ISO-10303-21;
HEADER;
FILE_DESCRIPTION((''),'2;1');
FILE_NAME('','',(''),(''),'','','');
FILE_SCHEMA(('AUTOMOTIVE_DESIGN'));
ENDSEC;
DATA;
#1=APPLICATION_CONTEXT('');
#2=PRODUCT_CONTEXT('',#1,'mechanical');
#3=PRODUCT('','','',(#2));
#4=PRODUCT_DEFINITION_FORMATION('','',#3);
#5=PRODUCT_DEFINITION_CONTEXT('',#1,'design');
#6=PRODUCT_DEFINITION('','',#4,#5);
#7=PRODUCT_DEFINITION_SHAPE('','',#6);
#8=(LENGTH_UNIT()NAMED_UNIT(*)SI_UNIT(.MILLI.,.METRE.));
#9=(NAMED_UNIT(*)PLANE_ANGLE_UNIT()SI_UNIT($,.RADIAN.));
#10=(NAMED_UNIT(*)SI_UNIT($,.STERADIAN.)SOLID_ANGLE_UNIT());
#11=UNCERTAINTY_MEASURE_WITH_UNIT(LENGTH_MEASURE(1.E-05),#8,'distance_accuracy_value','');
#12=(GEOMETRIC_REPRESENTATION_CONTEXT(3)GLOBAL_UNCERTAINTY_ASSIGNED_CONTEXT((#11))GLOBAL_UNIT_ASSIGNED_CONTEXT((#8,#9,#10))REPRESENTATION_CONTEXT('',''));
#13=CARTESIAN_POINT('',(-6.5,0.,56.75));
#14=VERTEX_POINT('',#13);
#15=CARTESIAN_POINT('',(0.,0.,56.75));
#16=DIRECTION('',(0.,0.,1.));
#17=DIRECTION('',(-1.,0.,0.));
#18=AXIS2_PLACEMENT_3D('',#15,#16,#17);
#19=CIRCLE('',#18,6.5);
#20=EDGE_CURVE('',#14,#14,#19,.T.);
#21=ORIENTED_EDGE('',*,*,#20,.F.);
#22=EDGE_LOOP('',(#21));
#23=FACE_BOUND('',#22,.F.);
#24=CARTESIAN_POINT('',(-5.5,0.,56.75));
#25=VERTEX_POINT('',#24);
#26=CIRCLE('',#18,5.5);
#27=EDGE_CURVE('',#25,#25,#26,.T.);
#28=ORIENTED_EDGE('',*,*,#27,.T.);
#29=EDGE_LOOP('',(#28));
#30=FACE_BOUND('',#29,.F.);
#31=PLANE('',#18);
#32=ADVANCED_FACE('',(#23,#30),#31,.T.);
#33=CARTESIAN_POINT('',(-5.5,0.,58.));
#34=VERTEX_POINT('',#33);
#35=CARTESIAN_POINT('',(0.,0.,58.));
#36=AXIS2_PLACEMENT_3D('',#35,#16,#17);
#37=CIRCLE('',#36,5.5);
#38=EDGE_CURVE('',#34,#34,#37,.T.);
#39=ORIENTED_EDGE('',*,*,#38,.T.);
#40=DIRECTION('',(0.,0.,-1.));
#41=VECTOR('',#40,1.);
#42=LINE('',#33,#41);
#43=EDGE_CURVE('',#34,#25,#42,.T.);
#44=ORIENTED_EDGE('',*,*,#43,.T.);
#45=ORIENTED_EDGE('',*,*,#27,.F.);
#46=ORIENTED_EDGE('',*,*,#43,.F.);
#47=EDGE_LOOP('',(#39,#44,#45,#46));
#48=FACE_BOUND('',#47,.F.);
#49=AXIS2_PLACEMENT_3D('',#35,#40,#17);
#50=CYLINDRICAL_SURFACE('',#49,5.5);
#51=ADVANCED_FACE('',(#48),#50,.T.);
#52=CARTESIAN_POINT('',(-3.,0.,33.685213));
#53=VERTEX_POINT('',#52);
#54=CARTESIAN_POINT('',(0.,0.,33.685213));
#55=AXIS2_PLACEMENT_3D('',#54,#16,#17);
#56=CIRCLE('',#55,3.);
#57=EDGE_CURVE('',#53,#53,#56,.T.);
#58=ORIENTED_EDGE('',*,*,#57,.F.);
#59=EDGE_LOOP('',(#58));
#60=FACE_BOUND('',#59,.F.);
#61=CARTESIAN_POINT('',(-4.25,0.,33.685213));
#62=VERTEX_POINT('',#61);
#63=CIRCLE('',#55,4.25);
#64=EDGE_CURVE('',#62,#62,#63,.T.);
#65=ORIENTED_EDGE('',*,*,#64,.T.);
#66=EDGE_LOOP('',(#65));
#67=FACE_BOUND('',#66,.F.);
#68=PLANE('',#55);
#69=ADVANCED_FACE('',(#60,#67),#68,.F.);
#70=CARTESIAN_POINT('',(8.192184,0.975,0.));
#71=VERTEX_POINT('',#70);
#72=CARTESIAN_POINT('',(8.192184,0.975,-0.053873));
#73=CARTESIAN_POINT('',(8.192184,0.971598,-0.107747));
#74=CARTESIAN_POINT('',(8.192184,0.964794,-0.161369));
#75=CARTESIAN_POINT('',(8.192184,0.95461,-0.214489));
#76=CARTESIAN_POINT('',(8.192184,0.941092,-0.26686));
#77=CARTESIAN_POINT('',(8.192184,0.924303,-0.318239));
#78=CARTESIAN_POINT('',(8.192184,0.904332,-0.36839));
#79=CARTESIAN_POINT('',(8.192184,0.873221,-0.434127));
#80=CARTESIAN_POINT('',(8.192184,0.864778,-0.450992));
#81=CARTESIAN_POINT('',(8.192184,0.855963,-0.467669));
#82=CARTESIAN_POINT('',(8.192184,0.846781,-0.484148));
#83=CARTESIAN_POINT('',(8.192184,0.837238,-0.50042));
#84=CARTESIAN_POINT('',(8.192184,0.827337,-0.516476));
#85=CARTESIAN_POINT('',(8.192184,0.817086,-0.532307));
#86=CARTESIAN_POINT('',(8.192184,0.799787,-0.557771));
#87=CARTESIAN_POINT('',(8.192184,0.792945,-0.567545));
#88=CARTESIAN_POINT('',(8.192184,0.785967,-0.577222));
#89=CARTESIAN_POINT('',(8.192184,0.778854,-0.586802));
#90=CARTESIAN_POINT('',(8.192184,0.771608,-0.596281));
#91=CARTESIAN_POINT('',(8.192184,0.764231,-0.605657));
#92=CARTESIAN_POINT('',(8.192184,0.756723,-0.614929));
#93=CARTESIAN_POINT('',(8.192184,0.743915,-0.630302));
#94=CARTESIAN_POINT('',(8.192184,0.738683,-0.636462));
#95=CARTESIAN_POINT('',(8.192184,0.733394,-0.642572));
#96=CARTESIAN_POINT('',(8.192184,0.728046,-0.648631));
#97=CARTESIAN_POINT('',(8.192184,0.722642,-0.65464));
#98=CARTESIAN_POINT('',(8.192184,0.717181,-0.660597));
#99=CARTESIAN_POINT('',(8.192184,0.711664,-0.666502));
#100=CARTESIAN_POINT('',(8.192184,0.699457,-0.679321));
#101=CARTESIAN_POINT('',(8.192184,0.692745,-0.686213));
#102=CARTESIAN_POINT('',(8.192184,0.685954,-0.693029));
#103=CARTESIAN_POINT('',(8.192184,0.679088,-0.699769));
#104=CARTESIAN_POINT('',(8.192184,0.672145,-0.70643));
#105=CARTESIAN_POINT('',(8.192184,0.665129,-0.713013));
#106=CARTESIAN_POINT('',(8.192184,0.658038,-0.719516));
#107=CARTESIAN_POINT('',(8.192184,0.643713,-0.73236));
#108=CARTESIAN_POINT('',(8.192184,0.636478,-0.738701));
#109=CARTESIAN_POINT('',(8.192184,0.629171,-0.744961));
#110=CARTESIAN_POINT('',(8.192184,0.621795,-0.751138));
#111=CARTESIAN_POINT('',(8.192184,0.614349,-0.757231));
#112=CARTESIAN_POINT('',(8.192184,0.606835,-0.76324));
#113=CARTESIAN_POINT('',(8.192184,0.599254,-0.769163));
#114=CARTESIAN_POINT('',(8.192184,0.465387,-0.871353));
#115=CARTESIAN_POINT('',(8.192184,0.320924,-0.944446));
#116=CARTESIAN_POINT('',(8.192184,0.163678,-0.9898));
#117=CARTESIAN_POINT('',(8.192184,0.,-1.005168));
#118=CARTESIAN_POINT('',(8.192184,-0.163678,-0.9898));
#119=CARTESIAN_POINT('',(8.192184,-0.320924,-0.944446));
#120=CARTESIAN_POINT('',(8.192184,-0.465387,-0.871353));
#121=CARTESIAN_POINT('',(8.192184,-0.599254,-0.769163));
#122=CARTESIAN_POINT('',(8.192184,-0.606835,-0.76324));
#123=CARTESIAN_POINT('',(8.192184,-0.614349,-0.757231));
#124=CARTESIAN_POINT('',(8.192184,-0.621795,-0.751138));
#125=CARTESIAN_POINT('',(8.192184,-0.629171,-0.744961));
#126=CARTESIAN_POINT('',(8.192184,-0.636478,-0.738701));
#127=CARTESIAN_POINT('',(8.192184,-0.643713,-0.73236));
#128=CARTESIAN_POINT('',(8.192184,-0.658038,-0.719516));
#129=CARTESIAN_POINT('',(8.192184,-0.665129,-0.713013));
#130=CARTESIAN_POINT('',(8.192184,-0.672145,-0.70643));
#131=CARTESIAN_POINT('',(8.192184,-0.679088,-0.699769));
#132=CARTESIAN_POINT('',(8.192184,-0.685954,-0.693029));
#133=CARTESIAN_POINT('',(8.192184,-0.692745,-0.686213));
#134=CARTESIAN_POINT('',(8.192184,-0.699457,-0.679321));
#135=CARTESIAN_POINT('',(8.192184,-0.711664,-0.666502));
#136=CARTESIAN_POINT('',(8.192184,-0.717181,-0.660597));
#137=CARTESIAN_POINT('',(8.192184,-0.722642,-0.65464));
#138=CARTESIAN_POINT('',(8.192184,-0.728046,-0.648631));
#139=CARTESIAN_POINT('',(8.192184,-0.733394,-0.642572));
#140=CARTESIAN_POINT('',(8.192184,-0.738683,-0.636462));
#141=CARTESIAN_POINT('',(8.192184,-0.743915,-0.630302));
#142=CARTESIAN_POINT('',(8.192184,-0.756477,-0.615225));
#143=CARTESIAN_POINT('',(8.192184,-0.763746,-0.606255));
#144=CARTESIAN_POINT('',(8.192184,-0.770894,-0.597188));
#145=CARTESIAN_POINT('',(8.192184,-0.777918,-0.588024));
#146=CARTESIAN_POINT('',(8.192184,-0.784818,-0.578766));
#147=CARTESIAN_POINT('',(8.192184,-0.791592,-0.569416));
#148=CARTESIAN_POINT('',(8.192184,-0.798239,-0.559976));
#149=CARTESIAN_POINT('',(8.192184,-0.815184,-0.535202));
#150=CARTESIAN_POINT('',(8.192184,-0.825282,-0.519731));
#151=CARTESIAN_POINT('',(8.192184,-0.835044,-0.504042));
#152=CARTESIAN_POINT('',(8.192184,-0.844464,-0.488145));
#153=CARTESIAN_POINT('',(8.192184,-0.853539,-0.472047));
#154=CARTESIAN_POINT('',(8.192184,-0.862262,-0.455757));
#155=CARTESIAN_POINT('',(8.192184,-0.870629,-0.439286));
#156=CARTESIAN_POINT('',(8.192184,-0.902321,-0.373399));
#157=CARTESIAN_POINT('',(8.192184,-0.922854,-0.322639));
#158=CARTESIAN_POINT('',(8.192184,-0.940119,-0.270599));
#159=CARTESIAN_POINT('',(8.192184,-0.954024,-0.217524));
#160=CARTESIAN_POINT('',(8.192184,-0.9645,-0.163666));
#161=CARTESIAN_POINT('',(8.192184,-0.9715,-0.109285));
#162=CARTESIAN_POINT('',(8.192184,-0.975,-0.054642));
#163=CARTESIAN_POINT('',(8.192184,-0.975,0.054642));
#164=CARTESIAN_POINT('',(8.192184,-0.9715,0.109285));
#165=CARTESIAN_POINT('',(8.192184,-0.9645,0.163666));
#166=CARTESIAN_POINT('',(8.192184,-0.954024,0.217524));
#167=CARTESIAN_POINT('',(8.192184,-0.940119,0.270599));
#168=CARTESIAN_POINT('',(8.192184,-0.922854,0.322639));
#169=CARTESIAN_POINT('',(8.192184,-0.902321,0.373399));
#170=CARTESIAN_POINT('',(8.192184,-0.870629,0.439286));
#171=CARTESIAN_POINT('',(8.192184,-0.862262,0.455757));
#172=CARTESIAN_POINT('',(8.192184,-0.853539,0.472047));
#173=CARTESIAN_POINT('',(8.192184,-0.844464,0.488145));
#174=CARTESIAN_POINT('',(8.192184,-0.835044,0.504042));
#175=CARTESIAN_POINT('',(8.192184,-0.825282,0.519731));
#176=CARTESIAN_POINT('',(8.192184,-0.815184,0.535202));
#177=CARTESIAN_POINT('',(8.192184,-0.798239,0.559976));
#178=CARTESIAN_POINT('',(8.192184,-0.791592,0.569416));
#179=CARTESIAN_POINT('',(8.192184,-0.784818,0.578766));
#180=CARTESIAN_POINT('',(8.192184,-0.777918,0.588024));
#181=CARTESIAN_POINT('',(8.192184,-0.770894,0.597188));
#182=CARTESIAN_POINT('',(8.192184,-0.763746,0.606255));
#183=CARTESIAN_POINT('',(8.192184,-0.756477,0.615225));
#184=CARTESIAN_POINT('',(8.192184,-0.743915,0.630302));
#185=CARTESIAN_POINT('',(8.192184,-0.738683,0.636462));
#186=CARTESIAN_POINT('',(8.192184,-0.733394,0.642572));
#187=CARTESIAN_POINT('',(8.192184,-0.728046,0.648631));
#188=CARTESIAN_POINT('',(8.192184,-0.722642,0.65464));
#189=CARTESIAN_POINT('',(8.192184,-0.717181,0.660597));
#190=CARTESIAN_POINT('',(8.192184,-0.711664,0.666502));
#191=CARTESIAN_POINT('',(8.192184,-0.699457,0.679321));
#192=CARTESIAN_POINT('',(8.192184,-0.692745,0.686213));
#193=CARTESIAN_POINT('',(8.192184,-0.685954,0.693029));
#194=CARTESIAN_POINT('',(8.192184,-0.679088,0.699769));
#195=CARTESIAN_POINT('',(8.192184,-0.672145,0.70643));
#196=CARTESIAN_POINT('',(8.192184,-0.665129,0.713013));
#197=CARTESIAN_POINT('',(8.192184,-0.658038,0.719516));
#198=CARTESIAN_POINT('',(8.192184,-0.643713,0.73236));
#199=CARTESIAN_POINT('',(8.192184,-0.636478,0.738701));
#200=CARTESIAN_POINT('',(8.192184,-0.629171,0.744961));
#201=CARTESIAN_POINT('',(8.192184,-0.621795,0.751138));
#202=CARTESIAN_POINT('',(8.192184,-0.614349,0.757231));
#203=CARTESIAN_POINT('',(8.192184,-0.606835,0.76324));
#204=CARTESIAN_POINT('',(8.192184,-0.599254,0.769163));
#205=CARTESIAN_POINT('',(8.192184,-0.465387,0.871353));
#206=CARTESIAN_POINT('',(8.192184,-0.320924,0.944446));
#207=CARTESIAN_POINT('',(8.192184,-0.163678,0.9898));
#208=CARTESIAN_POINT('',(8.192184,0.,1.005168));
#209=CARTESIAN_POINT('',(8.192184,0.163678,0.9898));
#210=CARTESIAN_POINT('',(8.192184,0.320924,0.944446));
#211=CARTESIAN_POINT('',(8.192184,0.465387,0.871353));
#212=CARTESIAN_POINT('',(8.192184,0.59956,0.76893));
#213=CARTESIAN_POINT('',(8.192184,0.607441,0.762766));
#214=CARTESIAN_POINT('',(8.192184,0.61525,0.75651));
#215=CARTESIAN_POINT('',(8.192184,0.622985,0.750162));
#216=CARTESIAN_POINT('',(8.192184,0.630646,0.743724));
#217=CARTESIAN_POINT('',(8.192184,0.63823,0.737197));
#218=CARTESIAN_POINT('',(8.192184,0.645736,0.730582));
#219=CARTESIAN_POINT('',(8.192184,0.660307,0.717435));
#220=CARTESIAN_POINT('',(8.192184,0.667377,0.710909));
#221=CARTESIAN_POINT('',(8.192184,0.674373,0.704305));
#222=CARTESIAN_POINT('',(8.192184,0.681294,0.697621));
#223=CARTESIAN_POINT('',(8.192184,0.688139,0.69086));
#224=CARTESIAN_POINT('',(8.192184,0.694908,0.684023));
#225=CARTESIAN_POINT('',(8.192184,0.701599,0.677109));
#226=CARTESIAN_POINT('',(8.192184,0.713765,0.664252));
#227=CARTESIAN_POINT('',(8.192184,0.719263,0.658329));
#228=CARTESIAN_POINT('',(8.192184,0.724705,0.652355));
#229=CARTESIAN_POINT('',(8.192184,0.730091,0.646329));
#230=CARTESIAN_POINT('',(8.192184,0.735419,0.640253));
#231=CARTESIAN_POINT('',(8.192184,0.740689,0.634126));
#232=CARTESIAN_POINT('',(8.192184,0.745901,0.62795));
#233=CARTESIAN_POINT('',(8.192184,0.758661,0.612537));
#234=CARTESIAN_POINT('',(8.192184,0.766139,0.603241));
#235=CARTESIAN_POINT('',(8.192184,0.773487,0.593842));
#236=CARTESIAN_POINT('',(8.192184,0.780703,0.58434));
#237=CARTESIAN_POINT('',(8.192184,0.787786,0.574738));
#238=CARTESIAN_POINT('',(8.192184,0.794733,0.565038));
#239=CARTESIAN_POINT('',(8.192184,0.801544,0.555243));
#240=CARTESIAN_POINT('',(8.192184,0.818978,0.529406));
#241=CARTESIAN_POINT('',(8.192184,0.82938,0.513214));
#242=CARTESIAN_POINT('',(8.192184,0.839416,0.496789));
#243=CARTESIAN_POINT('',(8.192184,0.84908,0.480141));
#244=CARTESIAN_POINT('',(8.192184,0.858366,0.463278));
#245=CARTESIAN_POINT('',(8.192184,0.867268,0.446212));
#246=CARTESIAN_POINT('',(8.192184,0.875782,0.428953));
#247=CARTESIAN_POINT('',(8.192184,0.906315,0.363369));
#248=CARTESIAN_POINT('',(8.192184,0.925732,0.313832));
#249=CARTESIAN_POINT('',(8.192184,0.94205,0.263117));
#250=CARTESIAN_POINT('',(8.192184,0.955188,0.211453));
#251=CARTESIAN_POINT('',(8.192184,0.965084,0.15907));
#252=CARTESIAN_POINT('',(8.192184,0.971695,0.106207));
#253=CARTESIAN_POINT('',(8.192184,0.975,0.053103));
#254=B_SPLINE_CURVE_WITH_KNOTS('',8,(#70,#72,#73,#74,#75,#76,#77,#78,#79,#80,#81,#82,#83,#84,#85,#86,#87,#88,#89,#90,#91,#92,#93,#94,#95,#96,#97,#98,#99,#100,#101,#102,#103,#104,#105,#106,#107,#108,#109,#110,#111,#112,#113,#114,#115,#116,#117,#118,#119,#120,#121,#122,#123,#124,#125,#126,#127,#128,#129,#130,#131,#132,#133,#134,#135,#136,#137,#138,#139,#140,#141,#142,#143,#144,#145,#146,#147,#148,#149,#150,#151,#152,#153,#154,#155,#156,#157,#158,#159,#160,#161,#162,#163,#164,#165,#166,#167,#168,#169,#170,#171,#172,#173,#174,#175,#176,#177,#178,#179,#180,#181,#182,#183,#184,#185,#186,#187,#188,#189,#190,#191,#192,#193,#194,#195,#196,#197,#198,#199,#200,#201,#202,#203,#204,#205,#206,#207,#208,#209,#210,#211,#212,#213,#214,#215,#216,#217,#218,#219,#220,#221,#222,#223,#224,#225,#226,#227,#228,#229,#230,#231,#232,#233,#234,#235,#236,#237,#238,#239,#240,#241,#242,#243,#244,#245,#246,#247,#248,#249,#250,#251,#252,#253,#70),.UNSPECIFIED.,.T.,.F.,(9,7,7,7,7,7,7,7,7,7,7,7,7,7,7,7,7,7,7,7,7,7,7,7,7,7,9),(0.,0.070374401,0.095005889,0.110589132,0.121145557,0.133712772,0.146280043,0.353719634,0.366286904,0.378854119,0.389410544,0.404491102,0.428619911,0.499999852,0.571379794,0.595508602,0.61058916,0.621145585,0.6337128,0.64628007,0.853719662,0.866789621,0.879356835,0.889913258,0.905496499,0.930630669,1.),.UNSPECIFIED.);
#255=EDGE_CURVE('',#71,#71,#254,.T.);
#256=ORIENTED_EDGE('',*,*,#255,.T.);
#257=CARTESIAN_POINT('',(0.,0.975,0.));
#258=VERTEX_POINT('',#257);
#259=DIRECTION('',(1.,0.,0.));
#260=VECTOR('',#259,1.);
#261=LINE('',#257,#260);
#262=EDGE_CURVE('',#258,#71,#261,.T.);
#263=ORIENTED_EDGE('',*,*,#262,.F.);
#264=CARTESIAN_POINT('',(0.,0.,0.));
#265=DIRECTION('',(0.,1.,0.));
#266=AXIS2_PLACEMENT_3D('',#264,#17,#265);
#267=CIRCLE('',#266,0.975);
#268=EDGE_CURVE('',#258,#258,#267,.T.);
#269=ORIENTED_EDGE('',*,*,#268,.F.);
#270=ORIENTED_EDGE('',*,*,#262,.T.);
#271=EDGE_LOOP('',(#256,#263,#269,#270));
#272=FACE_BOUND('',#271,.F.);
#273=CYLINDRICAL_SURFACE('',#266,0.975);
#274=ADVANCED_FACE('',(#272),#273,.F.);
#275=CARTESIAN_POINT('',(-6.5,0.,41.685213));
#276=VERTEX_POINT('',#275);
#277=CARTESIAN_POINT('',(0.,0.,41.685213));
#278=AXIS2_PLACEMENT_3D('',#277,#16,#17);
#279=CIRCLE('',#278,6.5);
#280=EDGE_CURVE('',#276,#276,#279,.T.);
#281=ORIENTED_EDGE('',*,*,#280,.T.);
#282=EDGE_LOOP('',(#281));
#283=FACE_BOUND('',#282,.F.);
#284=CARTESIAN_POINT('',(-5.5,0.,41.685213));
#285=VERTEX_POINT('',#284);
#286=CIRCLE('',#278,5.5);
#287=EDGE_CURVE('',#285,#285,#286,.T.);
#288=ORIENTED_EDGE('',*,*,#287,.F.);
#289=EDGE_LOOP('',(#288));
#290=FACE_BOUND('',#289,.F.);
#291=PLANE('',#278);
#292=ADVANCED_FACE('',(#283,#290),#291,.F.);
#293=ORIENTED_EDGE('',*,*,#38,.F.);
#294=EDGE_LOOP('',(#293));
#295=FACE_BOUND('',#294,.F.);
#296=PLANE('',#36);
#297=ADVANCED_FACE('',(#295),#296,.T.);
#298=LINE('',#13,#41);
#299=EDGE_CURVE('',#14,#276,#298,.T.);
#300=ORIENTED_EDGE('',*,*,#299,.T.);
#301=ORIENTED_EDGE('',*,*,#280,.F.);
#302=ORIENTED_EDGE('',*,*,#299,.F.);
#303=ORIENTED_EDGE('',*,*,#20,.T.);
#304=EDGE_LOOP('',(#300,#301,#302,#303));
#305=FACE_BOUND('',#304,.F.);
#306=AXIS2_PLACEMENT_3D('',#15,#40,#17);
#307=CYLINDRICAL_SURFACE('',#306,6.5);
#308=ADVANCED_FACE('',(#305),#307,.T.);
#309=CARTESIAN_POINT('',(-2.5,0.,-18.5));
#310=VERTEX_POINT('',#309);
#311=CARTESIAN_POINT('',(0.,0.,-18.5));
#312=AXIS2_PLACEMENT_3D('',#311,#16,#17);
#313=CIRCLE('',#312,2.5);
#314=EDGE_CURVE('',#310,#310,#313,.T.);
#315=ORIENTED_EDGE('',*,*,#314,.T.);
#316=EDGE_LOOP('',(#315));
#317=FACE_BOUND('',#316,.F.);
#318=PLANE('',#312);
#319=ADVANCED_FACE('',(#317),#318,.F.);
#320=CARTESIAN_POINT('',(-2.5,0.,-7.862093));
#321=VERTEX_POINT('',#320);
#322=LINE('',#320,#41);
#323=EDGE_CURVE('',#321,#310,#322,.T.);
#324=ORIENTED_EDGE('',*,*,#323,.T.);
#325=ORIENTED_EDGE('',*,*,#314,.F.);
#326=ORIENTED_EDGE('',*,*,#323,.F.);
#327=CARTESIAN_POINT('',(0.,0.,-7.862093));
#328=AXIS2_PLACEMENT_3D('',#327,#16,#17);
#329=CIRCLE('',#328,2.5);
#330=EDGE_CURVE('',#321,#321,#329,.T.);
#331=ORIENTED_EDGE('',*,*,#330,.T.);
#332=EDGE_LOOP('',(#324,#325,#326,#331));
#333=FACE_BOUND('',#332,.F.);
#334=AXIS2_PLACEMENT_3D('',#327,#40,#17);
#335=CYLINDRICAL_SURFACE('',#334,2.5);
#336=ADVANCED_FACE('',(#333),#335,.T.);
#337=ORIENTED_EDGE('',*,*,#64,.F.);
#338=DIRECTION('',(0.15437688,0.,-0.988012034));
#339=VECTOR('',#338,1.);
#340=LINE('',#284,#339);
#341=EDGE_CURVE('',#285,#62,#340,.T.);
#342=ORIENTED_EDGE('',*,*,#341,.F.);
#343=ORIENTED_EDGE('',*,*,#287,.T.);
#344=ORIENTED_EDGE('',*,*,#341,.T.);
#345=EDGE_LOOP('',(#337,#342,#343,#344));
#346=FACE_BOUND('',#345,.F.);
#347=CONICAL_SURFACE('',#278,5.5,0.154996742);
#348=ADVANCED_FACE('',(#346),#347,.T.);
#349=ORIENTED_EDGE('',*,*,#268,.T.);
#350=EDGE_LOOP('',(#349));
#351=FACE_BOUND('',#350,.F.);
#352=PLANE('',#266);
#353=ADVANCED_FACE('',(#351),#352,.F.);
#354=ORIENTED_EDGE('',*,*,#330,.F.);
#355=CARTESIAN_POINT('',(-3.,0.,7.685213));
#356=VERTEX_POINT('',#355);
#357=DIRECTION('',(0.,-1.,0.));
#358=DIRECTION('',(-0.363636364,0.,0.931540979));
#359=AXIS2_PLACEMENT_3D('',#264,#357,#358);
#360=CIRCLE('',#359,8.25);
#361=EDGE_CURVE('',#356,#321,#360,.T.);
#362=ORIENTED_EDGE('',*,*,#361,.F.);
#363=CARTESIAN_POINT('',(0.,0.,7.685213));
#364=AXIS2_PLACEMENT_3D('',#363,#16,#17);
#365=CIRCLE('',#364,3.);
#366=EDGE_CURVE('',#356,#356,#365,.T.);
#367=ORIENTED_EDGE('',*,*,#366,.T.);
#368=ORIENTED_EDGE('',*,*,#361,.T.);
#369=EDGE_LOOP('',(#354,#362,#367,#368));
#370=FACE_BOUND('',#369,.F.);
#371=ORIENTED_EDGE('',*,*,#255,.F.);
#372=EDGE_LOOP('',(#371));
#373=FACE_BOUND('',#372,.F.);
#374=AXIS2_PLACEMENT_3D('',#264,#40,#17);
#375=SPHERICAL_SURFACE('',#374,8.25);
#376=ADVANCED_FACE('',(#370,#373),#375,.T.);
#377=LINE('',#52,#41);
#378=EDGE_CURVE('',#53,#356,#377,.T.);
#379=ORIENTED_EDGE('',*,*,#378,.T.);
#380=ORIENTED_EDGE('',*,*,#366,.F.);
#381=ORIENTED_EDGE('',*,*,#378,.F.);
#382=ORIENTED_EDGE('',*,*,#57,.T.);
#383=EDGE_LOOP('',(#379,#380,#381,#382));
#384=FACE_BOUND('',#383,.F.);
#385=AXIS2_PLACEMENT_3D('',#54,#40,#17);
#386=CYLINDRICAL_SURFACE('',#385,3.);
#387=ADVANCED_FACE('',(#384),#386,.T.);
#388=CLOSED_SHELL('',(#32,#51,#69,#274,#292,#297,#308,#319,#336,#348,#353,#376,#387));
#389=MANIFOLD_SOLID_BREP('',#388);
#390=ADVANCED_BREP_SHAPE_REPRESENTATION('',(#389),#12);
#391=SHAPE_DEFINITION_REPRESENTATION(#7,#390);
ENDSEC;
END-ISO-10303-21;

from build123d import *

# Parameters (mm, degrees)
F3_D     = 1.95
F3_DEPTH = 8.75
F3_TIP   = 0.5858391036


with BuildPart() as f1:
    # F0 (on Front) → F1 (revolve)
    with BuildSketch(Plane.XZ):
        with BuildLine():
            Line((0, -18.5), (0, 0))
            Line((0, 0), (0, 58))
            Line((0, 58), (-5.5, 58))
            Line((-5.5, 58), (-5.5, 56.75))
            Line((-5.5, 56.75), (-6.5, 56.75))
            Line((-6.5, 56.75), (-6.5, 41.6852130745))
            Line((-6.5, 41.6852130745), (-5.5, 41.6852130745))
            Line((-5.5, 41.6852130745), (-4.25, 33.6852130745))
            Line((-4.25, 33.6852130745), (-3, 33.6852130745))
            Line((-3, 33.6852130745), (-3, 7.6852130745))
            ThreePointArc((-3, 7.6852130745), (-8.245736984, -0.2651821852), (-2.5, -7.8620925968))
            Line((-2.5, -7.8620925968), (-2.5, -18.5))
            Line((-2.5, -18.5), (0, -18.5))
        make_face()
    revolve(axis=Axis((0, 0, 29), (0, 0, 1)))

    # F3 (one way)
    with BuildSketch(Plane(origin=(0, 0, 0), x_dir=(0, 1, 0), z_dir=(-1, 0, 0))):
        with Locations((0, 0)):
            Circle(F3_D / 2)
    extrude(amount=-F3_DEPTH, mode=Mode.SUBTRACT)
    with Locations(Plane(origin=(0, 0, 0), x_dir=(0, 1, 0), z_dir=(-1, 0, 0))):
        with Locations((0, 0)):
            with Locations((0, 0, -(F3_DEPTH + F3_TIP / 2))):  # 118° drill point
                Cone(0, F3_D / 2, F3_TIP, mode=Mode.SUBTRACT)


solid = f1.part
